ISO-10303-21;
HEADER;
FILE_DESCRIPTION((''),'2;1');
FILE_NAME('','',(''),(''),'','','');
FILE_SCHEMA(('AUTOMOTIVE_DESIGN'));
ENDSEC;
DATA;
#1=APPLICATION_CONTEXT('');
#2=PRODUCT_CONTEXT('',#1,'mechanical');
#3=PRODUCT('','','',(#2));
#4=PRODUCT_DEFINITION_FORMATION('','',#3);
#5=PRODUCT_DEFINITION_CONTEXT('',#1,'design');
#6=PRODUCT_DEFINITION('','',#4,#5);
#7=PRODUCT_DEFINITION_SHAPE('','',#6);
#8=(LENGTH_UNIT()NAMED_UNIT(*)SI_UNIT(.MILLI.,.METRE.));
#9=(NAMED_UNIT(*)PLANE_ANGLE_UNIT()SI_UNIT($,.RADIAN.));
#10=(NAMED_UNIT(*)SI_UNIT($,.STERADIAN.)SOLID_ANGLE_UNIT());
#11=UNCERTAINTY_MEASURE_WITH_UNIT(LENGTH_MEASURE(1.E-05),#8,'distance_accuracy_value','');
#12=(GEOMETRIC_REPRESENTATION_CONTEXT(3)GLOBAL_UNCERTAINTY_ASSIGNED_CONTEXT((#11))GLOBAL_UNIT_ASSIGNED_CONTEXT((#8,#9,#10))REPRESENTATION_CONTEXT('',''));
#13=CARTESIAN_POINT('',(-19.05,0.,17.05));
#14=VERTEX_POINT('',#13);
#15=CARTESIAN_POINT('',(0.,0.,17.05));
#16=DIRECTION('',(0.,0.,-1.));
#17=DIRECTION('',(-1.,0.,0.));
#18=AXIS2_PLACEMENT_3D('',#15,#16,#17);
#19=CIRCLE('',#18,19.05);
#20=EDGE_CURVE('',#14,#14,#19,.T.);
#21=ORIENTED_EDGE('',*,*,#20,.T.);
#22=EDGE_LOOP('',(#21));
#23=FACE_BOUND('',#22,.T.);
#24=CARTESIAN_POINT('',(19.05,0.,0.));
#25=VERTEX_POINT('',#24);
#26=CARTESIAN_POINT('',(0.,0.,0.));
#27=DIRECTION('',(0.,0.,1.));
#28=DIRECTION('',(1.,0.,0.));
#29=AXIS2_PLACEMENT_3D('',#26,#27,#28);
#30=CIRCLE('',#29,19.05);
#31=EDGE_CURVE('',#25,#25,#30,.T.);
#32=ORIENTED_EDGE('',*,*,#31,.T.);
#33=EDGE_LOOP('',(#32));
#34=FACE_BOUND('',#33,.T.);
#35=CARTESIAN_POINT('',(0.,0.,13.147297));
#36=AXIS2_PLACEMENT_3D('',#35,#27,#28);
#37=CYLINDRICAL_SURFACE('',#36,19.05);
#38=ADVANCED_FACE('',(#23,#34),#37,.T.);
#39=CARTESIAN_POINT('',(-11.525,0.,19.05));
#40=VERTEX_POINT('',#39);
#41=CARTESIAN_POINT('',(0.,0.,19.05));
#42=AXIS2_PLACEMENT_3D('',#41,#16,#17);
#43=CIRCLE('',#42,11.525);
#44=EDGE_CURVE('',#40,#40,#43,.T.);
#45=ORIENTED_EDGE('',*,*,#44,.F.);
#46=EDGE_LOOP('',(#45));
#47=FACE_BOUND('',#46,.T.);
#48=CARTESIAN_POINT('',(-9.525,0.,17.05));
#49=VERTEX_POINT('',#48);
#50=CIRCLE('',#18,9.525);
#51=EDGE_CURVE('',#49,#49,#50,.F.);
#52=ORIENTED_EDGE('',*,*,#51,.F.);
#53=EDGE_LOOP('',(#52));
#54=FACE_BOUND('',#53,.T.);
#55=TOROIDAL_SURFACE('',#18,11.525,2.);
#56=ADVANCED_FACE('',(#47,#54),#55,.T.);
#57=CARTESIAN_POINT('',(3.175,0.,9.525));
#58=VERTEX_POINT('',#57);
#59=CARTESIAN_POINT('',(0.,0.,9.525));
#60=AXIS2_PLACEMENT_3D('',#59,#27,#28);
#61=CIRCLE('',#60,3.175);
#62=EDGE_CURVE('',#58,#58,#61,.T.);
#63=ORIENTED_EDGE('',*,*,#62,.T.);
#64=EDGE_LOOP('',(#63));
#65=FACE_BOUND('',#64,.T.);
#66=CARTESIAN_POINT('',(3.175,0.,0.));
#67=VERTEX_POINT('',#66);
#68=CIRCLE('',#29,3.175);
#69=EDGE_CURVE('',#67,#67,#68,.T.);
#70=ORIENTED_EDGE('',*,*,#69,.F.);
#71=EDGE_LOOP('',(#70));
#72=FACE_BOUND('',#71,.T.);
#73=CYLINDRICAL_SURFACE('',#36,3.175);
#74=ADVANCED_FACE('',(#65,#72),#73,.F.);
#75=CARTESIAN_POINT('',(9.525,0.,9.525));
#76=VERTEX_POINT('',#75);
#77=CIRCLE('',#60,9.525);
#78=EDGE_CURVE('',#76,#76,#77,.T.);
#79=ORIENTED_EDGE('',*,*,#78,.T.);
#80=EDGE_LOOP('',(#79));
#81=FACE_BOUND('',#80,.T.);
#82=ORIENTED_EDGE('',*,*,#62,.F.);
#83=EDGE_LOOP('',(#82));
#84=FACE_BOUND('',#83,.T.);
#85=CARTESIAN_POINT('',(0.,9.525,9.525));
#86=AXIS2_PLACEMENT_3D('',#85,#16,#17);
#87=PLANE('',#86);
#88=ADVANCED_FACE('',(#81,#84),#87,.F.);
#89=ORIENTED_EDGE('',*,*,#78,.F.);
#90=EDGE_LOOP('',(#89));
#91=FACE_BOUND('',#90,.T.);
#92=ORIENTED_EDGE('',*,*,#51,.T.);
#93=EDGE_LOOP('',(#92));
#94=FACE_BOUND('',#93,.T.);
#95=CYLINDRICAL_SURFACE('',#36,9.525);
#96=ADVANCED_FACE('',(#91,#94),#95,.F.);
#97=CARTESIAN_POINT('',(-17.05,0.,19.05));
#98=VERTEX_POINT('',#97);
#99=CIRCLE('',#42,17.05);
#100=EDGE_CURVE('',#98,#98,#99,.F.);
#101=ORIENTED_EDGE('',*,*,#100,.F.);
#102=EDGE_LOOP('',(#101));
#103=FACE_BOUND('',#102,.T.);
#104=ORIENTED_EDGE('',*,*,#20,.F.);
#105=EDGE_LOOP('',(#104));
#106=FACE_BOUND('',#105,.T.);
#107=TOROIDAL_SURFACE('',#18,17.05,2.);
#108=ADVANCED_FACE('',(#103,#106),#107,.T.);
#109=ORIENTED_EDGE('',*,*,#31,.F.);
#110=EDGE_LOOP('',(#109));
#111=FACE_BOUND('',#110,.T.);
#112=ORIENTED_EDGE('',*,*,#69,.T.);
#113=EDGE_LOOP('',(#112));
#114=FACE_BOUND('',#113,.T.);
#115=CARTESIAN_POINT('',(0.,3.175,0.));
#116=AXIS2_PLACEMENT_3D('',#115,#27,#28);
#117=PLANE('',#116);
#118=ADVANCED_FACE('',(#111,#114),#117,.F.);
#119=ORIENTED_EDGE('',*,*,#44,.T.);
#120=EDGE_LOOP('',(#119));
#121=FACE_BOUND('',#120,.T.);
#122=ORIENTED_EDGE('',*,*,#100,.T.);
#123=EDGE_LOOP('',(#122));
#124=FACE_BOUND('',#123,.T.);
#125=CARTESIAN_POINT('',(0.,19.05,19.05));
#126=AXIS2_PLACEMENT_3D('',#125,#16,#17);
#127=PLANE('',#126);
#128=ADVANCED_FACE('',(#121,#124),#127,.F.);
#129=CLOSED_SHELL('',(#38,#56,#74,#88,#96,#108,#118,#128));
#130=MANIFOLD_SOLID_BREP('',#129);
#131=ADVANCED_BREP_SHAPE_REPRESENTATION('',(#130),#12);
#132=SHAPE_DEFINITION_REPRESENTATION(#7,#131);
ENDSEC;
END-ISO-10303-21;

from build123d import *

# Parameters (mm, degrees)
FILLET1_R = 2


with BuildPart() as part:
    # Sketch1 → Revolve1 (revolve)
    with BuildSketch(Plane(origin=(0, 0, 0), x_dir=(0, 0, -1), z_dir=(1, 0, 0))):
        Polygon((0, 3.175), (0, 19.05), (-19.05, 19.05), (-19.05, 9.525), (-9.525, 9.525), (-9.525, 3.175), align=None)
    revolve(axis=Axis((0, 0, 13.147296845), (0, 0, -1)))

    # Fillet1
    fillet1_edges = [part.edges().sort_by_distance(p)[0] for p in [
        (0, -9.525, 19.05),
        (0, -19.05, 19.05),
    ]]
    fillet(fillet1_edges, radius=FILLET1_R)


solid = part.part
